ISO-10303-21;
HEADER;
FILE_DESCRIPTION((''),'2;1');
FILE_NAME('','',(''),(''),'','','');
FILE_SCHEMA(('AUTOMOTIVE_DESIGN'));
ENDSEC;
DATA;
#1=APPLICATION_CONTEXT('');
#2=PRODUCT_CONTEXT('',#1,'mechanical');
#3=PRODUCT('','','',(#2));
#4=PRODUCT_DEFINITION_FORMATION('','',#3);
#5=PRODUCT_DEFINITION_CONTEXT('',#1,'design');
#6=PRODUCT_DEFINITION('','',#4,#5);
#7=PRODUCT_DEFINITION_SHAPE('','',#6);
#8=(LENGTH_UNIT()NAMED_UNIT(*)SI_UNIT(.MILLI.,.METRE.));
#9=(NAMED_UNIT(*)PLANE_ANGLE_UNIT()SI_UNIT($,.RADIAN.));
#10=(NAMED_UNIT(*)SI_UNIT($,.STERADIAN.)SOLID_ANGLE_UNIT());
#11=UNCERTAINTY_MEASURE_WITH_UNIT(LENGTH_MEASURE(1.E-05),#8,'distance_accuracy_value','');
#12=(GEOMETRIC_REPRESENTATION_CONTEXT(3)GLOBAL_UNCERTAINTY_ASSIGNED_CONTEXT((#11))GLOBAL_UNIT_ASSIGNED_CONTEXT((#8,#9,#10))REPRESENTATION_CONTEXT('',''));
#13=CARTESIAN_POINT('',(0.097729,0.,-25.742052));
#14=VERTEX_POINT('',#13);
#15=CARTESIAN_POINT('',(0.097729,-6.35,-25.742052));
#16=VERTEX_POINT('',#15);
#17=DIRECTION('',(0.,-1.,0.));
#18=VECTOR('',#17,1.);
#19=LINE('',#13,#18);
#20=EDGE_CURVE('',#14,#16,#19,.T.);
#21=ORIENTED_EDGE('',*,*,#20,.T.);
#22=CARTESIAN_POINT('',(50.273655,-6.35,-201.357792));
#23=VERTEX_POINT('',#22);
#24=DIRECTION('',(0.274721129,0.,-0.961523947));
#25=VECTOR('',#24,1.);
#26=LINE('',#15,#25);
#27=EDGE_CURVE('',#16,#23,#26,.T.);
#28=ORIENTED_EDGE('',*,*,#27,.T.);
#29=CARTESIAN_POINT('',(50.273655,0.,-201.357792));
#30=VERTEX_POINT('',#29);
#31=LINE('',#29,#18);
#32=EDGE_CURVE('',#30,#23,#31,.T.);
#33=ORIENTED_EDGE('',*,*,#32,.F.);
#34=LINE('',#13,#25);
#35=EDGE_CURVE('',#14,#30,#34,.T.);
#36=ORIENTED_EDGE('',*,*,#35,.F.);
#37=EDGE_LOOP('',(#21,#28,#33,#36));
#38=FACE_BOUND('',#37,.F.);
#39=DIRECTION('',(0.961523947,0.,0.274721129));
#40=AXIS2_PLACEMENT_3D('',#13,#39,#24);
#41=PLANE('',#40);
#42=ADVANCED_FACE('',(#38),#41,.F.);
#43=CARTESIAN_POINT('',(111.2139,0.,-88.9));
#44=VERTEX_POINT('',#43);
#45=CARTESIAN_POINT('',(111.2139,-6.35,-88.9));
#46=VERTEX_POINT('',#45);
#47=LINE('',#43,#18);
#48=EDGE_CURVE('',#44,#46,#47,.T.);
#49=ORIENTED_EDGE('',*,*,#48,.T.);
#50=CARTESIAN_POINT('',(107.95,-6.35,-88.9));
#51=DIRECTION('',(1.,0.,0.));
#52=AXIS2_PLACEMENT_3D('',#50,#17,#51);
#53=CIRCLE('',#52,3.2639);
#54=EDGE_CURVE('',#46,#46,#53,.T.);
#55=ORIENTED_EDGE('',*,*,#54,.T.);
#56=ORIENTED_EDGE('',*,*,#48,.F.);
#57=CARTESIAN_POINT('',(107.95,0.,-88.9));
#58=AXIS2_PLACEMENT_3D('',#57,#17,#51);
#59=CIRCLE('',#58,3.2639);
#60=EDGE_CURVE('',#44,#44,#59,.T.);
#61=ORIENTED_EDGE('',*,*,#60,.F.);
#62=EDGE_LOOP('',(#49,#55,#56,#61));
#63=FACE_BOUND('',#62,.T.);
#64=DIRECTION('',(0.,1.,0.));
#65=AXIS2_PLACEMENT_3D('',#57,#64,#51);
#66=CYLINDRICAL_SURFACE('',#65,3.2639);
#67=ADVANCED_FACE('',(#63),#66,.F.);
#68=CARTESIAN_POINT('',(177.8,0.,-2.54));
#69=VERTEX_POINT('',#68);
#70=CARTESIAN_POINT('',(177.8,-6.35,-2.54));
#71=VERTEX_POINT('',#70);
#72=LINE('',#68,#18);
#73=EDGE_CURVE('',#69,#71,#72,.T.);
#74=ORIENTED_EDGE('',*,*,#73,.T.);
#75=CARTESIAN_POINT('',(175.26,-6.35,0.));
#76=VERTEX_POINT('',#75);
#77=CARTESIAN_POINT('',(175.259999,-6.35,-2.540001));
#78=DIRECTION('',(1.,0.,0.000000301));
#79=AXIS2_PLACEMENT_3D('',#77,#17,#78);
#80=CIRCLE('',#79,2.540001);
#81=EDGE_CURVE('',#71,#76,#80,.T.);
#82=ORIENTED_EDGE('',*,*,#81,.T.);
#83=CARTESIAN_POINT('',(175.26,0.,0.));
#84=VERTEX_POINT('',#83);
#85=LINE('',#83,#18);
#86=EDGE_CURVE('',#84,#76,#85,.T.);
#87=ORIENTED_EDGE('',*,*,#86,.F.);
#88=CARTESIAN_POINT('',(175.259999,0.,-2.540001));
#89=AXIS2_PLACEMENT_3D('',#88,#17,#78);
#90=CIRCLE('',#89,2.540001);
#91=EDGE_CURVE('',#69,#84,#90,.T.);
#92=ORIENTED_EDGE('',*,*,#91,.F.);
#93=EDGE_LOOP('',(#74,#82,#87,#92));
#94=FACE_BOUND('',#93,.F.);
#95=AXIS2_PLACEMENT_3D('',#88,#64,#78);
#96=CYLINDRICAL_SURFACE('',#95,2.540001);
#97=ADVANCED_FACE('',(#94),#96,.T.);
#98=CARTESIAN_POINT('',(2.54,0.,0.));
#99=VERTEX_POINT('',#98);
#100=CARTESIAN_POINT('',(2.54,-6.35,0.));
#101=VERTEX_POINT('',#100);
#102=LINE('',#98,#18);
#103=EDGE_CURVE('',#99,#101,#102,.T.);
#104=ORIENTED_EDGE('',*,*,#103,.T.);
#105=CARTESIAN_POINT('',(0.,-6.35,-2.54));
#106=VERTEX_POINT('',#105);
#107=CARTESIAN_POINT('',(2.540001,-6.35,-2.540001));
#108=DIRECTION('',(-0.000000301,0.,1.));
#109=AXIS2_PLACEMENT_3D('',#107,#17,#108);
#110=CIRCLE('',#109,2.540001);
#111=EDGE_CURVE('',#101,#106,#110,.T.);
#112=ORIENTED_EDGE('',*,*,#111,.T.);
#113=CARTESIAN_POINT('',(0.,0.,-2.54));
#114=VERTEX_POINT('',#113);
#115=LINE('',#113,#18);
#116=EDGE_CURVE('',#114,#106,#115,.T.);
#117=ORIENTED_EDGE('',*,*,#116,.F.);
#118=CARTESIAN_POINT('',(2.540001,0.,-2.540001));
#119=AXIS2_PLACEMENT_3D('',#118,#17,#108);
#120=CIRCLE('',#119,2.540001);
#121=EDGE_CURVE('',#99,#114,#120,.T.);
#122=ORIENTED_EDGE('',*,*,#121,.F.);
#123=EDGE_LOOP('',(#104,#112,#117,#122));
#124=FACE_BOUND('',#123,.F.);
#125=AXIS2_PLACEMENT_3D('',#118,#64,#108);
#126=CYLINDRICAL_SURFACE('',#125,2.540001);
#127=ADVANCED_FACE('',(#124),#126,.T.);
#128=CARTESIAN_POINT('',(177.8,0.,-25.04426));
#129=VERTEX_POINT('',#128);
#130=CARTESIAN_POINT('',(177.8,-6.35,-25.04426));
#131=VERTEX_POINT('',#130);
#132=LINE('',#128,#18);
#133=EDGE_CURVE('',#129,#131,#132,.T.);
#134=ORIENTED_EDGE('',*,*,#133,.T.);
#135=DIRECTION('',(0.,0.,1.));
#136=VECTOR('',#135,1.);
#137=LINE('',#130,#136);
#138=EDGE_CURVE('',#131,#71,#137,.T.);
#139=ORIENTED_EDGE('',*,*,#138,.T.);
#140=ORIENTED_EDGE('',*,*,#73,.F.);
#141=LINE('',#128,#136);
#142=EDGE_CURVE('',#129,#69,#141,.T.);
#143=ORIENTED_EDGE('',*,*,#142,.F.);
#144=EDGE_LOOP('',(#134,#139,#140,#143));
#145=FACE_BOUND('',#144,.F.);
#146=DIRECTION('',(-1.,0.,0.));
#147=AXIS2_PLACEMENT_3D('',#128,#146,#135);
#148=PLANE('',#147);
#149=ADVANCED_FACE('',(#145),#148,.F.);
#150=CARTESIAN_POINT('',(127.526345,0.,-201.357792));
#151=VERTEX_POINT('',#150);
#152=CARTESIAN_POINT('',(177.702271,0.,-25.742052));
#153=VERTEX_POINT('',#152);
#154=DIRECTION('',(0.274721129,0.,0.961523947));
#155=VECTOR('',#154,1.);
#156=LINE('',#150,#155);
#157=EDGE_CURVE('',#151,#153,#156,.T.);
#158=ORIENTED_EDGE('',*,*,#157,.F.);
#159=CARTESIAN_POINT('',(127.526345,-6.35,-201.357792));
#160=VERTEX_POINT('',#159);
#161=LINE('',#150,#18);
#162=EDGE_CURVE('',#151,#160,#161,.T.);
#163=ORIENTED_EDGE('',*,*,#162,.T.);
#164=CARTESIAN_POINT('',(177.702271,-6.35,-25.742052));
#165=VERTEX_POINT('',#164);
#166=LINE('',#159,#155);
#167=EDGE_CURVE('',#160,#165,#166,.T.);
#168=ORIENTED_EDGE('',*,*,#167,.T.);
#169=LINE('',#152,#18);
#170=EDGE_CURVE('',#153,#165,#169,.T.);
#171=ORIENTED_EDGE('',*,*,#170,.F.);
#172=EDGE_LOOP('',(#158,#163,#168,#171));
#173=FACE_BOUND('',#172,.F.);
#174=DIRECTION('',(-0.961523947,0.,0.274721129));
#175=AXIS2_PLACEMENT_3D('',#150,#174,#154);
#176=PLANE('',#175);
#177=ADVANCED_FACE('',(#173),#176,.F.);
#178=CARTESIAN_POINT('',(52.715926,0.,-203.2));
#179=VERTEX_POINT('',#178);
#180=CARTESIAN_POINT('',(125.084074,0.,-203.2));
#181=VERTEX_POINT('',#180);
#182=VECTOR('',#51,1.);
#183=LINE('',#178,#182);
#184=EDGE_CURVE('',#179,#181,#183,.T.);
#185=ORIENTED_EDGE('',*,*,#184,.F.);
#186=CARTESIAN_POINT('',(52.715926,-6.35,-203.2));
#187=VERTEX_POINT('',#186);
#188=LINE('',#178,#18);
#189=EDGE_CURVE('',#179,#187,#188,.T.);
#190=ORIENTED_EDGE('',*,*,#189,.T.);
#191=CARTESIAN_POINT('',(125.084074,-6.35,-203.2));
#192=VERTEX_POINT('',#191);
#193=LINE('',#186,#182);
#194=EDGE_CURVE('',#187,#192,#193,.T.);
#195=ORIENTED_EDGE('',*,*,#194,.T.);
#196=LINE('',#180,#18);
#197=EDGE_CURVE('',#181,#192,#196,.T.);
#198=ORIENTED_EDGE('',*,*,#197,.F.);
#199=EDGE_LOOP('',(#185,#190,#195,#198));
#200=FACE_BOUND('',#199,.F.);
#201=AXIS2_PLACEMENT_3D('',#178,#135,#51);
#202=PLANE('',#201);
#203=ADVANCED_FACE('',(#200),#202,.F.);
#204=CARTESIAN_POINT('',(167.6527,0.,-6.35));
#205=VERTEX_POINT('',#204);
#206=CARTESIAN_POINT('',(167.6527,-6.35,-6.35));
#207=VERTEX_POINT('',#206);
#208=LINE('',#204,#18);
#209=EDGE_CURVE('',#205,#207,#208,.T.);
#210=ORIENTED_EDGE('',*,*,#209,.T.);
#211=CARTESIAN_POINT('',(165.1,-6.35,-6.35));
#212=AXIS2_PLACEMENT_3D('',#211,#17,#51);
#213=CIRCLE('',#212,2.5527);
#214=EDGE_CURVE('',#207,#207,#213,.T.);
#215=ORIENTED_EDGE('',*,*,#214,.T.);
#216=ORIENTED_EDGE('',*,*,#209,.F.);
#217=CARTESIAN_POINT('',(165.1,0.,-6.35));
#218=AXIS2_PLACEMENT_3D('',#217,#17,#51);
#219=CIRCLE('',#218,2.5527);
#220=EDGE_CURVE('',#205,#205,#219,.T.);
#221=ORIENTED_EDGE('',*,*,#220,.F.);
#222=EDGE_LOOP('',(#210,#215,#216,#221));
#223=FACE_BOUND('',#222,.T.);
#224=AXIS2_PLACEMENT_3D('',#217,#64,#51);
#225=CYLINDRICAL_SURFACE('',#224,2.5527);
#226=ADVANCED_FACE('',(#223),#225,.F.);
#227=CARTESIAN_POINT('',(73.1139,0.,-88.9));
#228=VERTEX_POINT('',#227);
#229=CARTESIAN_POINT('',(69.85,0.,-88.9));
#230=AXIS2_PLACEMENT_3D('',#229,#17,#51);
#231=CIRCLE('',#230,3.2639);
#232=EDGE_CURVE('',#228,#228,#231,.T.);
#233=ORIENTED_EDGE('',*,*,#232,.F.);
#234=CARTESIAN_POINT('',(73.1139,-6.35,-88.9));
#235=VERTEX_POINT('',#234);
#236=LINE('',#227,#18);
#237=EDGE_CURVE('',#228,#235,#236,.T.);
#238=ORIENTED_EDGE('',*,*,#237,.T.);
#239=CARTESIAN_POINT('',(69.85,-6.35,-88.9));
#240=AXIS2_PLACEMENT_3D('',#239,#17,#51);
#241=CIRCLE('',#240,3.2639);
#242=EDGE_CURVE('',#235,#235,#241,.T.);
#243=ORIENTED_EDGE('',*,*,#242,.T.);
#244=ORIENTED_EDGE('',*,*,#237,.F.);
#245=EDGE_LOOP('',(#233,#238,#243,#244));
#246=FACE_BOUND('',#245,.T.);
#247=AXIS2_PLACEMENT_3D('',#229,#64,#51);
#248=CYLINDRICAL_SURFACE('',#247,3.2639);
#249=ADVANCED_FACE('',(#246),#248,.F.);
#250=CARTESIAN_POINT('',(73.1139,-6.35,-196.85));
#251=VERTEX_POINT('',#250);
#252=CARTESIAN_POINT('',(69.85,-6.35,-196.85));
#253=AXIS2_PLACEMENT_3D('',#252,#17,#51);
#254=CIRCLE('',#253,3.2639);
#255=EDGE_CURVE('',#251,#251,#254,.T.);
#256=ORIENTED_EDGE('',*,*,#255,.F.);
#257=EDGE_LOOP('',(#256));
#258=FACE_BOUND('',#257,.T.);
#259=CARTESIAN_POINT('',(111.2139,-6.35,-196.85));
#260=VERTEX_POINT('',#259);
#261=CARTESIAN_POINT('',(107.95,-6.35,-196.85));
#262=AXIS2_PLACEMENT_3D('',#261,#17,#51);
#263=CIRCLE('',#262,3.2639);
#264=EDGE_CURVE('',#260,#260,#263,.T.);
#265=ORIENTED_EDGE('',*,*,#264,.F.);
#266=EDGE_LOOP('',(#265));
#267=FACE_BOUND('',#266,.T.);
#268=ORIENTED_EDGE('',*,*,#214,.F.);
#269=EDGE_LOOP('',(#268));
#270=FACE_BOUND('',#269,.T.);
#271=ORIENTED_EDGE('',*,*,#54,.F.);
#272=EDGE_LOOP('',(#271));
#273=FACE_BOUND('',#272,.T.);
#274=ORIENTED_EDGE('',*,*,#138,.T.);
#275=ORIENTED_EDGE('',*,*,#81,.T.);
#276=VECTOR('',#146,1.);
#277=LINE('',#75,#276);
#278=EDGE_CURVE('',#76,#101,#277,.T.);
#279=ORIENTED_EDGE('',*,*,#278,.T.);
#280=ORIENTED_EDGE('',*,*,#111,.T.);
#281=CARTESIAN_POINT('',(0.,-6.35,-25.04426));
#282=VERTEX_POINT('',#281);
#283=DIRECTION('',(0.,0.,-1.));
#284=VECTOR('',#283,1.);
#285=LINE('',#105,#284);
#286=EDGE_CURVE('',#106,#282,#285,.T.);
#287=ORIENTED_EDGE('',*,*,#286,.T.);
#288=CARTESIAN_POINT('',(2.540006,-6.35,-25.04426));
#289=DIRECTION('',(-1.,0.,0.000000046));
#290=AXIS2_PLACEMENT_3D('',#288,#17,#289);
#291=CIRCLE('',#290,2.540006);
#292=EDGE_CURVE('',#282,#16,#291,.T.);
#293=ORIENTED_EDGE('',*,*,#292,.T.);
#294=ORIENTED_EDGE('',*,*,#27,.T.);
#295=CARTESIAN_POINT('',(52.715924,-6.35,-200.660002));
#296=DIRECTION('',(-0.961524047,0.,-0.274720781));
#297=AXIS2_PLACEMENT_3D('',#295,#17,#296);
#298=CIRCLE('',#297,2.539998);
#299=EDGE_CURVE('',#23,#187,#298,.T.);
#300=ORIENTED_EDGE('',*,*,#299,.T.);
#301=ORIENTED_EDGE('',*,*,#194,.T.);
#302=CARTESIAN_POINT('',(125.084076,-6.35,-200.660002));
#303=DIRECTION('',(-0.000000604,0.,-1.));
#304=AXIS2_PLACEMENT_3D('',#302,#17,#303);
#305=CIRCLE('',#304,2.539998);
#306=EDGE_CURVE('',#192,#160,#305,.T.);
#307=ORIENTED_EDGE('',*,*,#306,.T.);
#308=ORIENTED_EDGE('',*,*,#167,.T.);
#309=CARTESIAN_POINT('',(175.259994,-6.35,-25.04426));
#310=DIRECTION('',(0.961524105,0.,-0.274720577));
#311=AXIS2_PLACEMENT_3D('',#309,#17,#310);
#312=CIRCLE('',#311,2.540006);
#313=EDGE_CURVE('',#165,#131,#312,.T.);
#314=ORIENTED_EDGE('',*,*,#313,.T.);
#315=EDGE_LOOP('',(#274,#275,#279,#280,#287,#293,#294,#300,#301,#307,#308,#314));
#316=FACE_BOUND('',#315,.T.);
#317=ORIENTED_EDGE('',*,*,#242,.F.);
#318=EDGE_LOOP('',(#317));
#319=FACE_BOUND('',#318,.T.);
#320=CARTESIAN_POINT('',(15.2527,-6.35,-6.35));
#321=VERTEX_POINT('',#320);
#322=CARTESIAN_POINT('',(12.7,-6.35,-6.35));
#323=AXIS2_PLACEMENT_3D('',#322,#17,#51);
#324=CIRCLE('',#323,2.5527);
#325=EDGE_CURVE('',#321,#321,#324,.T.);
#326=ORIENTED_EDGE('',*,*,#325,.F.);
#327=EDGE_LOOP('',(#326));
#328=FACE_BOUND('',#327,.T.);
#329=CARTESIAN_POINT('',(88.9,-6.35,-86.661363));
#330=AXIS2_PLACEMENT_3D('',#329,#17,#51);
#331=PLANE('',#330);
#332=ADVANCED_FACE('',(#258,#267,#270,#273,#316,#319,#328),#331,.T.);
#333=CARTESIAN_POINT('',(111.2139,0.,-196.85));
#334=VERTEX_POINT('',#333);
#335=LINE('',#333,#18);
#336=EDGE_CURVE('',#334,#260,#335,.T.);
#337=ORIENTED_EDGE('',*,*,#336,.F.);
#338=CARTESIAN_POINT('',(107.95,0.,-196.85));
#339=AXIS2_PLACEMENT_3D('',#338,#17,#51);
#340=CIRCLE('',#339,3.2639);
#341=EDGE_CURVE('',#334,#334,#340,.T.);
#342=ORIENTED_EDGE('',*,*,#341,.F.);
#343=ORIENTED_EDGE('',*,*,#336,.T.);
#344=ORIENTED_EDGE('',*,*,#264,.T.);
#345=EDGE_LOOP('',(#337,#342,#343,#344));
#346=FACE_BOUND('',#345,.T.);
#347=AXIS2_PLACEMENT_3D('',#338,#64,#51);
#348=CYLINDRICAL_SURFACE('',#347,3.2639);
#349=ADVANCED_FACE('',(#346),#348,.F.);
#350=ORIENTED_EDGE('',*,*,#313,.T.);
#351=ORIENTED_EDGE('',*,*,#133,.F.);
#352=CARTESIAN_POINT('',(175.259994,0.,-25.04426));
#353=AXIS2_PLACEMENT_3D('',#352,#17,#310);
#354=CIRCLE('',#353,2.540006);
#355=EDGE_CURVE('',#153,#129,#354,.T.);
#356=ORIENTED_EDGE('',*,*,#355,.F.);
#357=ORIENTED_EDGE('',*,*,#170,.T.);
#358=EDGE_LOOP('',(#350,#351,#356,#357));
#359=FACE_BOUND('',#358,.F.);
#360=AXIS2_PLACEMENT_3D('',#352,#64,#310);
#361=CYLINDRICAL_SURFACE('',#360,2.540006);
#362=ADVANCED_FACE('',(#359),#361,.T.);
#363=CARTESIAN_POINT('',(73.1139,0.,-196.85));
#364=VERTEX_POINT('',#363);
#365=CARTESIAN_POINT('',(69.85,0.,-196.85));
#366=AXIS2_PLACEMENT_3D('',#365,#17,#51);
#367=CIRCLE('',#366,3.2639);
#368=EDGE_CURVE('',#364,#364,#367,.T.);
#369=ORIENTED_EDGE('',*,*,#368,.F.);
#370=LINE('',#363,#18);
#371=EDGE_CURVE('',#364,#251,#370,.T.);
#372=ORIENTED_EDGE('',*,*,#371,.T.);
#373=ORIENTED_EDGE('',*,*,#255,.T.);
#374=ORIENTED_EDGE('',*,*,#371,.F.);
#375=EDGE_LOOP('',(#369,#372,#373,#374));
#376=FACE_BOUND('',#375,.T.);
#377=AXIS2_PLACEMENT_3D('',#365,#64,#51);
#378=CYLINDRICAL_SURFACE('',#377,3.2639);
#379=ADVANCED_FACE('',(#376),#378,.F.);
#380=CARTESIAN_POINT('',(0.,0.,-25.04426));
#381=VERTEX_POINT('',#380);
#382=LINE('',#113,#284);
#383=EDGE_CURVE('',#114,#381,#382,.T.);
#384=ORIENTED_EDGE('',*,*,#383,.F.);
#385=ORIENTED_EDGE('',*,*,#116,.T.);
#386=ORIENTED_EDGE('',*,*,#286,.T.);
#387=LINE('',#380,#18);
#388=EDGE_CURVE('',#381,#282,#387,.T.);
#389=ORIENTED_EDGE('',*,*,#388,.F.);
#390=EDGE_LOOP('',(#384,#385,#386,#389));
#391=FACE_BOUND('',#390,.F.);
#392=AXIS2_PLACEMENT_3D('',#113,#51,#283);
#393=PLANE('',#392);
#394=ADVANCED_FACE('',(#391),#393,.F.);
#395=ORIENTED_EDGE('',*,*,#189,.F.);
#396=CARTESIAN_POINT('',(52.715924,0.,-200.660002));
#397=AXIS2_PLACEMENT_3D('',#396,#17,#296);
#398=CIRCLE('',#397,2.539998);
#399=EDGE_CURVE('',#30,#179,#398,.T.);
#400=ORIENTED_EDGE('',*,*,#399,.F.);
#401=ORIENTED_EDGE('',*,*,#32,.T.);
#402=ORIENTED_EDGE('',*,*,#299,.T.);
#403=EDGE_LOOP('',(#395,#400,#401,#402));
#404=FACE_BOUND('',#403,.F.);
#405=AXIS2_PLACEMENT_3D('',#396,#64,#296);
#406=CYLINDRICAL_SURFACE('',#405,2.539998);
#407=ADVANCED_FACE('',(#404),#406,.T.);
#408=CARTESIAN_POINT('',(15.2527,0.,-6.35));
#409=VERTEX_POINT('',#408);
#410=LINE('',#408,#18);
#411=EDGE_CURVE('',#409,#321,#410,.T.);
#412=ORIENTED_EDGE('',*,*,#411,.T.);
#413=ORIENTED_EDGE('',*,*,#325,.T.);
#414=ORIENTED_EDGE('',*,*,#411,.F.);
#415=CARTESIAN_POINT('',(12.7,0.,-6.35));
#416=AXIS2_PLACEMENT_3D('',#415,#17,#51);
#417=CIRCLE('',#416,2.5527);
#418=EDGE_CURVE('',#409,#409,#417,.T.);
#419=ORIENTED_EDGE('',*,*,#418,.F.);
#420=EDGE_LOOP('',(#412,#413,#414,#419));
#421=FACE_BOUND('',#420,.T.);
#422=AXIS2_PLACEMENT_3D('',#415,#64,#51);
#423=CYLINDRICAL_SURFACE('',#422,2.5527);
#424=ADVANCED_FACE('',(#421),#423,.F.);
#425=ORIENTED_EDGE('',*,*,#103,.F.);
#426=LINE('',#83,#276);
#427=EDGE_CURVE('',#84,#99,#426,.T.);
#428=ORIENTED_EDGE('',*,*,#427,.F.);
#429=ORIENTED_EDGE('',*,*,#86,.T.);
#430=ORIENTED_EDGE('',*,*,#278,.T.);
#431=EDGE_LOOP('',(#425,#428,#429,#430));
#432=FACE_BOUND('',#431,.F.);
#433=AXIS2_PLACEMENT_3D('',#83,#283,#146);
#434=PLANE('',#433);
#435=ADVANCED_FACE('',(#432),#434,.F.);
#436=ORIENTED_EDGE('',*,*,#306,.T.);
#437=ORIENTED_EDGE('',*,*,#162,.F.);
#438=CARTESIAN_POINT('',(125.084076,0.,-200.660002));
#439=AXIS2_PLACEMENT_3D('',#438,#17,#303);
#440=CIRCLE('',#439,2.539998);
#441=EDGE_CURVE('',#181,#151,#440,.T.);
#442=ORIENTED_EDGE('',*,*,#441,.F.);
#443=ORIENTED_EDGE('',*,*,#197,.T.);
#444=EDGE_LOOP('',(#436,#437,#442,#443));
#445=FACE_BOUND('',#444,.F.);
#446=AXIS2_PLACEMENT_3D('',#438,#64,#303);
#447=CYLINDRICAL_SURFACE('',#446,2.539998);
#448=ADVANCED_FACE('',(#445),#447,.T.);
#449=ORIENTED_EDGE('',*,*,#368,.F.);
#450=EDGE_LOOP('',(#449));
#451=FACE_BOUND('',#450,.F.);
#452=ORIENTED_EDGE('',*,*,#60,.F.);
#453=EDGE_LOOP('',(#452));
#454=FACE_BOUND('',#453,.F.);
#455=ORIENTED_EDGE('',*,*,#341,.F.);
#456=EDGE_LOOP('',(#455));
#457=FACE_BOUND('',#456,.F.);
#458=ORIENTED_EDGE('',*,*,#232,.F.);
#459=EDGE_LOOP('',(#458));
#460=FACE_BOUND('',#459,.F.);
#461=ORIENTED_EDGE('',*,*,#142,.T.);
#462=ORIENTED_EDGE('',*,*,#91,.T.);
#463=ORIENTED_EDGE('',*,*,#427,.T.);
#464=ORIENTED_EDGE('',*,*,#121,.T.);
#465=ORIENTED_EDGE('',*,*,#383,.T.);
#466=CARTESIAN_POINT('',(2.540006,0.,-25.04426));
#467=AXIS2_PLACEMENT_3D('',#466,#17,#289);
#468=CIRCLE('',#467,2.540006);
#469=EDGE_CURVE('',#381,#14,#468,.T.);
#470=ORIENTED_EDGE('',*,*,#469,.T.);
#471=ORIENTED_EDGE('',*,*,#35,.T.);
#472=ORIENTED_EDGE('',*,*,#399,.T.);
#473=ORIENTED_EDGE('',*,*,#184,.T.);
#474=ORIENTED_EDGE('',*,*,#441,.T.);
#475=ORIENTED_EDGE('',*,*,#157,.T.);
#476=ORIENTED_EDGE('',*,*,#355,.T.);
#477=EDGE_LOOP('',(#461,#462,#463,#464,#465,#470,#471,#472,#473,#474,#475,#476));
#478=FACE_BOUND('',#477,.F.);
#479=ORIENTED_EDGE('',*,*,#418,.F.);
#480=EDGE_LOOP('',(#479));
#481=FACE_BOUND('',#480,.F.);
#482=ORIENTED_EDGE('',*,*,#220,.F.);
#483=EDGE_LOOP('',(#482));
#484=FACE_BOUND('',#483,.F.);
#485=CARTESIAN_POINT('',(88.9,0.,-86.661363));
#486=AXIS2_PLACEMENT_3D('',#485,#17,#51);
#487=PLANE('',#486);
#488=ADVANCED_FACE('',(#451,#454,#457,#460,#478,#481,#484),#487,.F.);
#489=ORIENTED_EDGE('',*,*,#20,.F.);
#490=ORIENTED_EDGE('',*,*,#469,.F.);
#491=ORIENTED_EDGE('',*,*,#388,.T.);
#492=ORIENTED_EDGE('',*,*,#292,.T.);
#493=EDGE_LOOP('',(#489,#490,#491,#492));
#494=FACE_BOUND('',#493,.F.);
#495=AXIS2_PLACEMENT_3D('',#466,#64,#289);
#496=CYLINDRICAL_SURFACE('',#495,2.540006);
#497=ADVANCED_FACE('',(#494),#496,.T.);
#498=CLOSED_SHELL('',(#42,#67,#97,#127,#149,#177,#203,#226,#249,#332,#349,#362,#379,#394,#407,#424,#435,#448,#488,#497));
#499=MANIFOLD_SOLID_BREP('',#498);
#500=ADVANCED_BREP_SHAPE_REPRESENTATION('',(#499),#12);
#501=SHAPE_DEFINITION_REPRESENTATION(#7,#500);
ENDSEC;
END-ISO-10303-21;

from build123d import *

# Parameters (mm, degrees)
F0_R     = 3.2639
F0_R_2   = 2.5527
F1_DEPTH = 6.35


with BuildPart() as f1:
    # F0 (on Front) → F1 (new body)
    with BuildSketch(Plane.XZ):
        with BuildLine():
            Line((175.26, 0), (2.54, 0))
            ThreePointArc((2.54, 0), (0.743949, -0.743949), (0, -2.54))
            Line((0, -2.54), (0, -25.04426))
            ThreePointArc((0, -25.04426), (0.024551, -25.396562), (0.097729, -25.742052))
            Line((0.097729, -25.742052), (50.273655, -201.357792))
            ThreePointArc((50.273655, -201.357792), (51.186349, -202.687806), (52.715926, -203.2))
            Line((52.715926, -203.2), (125.084074, -203.2))
            ThreePointArc((125.084074, -203.2), (126.613651, -202.687806), (127.526345, -201.357792))
            Line((127.526345, -201.357792), (177.702271, -25.742052))
            ThreePointArc((177.702271, -25.742052), (177.775449, -25.396562), (177.8, -25.04426))
            Line((177.8, -25.04426), (177.8, -2.54))
            ThreePointArc((177.8, -2.54), (177.056051, -0.743949), (175.26, 0))
        make_face()
        with Locations((69.85, -196.85)):
            Circle(F0_R, mode=Mode.SUBTRACT)
        with Locations((107.95, -196.85)):
            Circle(F0_R, mode=Mode.SUBTRACT)
        with Locations((69.85, -88.9)):
            Circle(F0_R, mode=Mode.SUBTRACT)
        with Locations((12.7, -6.35)):
            Circle(F0_R_2, mode=Mode.SUBTRACT)
        with Locations((107.95, -88.9)):
            Circle(F0_R, mode=Mode.SUBTRACT)
        with Locations((165.1, -6.35)):
            Circle(F0_R_2, mode=Mode.SUBTRACT)
    extrude(amount=F1_DEPTH)


solid = f1.part
